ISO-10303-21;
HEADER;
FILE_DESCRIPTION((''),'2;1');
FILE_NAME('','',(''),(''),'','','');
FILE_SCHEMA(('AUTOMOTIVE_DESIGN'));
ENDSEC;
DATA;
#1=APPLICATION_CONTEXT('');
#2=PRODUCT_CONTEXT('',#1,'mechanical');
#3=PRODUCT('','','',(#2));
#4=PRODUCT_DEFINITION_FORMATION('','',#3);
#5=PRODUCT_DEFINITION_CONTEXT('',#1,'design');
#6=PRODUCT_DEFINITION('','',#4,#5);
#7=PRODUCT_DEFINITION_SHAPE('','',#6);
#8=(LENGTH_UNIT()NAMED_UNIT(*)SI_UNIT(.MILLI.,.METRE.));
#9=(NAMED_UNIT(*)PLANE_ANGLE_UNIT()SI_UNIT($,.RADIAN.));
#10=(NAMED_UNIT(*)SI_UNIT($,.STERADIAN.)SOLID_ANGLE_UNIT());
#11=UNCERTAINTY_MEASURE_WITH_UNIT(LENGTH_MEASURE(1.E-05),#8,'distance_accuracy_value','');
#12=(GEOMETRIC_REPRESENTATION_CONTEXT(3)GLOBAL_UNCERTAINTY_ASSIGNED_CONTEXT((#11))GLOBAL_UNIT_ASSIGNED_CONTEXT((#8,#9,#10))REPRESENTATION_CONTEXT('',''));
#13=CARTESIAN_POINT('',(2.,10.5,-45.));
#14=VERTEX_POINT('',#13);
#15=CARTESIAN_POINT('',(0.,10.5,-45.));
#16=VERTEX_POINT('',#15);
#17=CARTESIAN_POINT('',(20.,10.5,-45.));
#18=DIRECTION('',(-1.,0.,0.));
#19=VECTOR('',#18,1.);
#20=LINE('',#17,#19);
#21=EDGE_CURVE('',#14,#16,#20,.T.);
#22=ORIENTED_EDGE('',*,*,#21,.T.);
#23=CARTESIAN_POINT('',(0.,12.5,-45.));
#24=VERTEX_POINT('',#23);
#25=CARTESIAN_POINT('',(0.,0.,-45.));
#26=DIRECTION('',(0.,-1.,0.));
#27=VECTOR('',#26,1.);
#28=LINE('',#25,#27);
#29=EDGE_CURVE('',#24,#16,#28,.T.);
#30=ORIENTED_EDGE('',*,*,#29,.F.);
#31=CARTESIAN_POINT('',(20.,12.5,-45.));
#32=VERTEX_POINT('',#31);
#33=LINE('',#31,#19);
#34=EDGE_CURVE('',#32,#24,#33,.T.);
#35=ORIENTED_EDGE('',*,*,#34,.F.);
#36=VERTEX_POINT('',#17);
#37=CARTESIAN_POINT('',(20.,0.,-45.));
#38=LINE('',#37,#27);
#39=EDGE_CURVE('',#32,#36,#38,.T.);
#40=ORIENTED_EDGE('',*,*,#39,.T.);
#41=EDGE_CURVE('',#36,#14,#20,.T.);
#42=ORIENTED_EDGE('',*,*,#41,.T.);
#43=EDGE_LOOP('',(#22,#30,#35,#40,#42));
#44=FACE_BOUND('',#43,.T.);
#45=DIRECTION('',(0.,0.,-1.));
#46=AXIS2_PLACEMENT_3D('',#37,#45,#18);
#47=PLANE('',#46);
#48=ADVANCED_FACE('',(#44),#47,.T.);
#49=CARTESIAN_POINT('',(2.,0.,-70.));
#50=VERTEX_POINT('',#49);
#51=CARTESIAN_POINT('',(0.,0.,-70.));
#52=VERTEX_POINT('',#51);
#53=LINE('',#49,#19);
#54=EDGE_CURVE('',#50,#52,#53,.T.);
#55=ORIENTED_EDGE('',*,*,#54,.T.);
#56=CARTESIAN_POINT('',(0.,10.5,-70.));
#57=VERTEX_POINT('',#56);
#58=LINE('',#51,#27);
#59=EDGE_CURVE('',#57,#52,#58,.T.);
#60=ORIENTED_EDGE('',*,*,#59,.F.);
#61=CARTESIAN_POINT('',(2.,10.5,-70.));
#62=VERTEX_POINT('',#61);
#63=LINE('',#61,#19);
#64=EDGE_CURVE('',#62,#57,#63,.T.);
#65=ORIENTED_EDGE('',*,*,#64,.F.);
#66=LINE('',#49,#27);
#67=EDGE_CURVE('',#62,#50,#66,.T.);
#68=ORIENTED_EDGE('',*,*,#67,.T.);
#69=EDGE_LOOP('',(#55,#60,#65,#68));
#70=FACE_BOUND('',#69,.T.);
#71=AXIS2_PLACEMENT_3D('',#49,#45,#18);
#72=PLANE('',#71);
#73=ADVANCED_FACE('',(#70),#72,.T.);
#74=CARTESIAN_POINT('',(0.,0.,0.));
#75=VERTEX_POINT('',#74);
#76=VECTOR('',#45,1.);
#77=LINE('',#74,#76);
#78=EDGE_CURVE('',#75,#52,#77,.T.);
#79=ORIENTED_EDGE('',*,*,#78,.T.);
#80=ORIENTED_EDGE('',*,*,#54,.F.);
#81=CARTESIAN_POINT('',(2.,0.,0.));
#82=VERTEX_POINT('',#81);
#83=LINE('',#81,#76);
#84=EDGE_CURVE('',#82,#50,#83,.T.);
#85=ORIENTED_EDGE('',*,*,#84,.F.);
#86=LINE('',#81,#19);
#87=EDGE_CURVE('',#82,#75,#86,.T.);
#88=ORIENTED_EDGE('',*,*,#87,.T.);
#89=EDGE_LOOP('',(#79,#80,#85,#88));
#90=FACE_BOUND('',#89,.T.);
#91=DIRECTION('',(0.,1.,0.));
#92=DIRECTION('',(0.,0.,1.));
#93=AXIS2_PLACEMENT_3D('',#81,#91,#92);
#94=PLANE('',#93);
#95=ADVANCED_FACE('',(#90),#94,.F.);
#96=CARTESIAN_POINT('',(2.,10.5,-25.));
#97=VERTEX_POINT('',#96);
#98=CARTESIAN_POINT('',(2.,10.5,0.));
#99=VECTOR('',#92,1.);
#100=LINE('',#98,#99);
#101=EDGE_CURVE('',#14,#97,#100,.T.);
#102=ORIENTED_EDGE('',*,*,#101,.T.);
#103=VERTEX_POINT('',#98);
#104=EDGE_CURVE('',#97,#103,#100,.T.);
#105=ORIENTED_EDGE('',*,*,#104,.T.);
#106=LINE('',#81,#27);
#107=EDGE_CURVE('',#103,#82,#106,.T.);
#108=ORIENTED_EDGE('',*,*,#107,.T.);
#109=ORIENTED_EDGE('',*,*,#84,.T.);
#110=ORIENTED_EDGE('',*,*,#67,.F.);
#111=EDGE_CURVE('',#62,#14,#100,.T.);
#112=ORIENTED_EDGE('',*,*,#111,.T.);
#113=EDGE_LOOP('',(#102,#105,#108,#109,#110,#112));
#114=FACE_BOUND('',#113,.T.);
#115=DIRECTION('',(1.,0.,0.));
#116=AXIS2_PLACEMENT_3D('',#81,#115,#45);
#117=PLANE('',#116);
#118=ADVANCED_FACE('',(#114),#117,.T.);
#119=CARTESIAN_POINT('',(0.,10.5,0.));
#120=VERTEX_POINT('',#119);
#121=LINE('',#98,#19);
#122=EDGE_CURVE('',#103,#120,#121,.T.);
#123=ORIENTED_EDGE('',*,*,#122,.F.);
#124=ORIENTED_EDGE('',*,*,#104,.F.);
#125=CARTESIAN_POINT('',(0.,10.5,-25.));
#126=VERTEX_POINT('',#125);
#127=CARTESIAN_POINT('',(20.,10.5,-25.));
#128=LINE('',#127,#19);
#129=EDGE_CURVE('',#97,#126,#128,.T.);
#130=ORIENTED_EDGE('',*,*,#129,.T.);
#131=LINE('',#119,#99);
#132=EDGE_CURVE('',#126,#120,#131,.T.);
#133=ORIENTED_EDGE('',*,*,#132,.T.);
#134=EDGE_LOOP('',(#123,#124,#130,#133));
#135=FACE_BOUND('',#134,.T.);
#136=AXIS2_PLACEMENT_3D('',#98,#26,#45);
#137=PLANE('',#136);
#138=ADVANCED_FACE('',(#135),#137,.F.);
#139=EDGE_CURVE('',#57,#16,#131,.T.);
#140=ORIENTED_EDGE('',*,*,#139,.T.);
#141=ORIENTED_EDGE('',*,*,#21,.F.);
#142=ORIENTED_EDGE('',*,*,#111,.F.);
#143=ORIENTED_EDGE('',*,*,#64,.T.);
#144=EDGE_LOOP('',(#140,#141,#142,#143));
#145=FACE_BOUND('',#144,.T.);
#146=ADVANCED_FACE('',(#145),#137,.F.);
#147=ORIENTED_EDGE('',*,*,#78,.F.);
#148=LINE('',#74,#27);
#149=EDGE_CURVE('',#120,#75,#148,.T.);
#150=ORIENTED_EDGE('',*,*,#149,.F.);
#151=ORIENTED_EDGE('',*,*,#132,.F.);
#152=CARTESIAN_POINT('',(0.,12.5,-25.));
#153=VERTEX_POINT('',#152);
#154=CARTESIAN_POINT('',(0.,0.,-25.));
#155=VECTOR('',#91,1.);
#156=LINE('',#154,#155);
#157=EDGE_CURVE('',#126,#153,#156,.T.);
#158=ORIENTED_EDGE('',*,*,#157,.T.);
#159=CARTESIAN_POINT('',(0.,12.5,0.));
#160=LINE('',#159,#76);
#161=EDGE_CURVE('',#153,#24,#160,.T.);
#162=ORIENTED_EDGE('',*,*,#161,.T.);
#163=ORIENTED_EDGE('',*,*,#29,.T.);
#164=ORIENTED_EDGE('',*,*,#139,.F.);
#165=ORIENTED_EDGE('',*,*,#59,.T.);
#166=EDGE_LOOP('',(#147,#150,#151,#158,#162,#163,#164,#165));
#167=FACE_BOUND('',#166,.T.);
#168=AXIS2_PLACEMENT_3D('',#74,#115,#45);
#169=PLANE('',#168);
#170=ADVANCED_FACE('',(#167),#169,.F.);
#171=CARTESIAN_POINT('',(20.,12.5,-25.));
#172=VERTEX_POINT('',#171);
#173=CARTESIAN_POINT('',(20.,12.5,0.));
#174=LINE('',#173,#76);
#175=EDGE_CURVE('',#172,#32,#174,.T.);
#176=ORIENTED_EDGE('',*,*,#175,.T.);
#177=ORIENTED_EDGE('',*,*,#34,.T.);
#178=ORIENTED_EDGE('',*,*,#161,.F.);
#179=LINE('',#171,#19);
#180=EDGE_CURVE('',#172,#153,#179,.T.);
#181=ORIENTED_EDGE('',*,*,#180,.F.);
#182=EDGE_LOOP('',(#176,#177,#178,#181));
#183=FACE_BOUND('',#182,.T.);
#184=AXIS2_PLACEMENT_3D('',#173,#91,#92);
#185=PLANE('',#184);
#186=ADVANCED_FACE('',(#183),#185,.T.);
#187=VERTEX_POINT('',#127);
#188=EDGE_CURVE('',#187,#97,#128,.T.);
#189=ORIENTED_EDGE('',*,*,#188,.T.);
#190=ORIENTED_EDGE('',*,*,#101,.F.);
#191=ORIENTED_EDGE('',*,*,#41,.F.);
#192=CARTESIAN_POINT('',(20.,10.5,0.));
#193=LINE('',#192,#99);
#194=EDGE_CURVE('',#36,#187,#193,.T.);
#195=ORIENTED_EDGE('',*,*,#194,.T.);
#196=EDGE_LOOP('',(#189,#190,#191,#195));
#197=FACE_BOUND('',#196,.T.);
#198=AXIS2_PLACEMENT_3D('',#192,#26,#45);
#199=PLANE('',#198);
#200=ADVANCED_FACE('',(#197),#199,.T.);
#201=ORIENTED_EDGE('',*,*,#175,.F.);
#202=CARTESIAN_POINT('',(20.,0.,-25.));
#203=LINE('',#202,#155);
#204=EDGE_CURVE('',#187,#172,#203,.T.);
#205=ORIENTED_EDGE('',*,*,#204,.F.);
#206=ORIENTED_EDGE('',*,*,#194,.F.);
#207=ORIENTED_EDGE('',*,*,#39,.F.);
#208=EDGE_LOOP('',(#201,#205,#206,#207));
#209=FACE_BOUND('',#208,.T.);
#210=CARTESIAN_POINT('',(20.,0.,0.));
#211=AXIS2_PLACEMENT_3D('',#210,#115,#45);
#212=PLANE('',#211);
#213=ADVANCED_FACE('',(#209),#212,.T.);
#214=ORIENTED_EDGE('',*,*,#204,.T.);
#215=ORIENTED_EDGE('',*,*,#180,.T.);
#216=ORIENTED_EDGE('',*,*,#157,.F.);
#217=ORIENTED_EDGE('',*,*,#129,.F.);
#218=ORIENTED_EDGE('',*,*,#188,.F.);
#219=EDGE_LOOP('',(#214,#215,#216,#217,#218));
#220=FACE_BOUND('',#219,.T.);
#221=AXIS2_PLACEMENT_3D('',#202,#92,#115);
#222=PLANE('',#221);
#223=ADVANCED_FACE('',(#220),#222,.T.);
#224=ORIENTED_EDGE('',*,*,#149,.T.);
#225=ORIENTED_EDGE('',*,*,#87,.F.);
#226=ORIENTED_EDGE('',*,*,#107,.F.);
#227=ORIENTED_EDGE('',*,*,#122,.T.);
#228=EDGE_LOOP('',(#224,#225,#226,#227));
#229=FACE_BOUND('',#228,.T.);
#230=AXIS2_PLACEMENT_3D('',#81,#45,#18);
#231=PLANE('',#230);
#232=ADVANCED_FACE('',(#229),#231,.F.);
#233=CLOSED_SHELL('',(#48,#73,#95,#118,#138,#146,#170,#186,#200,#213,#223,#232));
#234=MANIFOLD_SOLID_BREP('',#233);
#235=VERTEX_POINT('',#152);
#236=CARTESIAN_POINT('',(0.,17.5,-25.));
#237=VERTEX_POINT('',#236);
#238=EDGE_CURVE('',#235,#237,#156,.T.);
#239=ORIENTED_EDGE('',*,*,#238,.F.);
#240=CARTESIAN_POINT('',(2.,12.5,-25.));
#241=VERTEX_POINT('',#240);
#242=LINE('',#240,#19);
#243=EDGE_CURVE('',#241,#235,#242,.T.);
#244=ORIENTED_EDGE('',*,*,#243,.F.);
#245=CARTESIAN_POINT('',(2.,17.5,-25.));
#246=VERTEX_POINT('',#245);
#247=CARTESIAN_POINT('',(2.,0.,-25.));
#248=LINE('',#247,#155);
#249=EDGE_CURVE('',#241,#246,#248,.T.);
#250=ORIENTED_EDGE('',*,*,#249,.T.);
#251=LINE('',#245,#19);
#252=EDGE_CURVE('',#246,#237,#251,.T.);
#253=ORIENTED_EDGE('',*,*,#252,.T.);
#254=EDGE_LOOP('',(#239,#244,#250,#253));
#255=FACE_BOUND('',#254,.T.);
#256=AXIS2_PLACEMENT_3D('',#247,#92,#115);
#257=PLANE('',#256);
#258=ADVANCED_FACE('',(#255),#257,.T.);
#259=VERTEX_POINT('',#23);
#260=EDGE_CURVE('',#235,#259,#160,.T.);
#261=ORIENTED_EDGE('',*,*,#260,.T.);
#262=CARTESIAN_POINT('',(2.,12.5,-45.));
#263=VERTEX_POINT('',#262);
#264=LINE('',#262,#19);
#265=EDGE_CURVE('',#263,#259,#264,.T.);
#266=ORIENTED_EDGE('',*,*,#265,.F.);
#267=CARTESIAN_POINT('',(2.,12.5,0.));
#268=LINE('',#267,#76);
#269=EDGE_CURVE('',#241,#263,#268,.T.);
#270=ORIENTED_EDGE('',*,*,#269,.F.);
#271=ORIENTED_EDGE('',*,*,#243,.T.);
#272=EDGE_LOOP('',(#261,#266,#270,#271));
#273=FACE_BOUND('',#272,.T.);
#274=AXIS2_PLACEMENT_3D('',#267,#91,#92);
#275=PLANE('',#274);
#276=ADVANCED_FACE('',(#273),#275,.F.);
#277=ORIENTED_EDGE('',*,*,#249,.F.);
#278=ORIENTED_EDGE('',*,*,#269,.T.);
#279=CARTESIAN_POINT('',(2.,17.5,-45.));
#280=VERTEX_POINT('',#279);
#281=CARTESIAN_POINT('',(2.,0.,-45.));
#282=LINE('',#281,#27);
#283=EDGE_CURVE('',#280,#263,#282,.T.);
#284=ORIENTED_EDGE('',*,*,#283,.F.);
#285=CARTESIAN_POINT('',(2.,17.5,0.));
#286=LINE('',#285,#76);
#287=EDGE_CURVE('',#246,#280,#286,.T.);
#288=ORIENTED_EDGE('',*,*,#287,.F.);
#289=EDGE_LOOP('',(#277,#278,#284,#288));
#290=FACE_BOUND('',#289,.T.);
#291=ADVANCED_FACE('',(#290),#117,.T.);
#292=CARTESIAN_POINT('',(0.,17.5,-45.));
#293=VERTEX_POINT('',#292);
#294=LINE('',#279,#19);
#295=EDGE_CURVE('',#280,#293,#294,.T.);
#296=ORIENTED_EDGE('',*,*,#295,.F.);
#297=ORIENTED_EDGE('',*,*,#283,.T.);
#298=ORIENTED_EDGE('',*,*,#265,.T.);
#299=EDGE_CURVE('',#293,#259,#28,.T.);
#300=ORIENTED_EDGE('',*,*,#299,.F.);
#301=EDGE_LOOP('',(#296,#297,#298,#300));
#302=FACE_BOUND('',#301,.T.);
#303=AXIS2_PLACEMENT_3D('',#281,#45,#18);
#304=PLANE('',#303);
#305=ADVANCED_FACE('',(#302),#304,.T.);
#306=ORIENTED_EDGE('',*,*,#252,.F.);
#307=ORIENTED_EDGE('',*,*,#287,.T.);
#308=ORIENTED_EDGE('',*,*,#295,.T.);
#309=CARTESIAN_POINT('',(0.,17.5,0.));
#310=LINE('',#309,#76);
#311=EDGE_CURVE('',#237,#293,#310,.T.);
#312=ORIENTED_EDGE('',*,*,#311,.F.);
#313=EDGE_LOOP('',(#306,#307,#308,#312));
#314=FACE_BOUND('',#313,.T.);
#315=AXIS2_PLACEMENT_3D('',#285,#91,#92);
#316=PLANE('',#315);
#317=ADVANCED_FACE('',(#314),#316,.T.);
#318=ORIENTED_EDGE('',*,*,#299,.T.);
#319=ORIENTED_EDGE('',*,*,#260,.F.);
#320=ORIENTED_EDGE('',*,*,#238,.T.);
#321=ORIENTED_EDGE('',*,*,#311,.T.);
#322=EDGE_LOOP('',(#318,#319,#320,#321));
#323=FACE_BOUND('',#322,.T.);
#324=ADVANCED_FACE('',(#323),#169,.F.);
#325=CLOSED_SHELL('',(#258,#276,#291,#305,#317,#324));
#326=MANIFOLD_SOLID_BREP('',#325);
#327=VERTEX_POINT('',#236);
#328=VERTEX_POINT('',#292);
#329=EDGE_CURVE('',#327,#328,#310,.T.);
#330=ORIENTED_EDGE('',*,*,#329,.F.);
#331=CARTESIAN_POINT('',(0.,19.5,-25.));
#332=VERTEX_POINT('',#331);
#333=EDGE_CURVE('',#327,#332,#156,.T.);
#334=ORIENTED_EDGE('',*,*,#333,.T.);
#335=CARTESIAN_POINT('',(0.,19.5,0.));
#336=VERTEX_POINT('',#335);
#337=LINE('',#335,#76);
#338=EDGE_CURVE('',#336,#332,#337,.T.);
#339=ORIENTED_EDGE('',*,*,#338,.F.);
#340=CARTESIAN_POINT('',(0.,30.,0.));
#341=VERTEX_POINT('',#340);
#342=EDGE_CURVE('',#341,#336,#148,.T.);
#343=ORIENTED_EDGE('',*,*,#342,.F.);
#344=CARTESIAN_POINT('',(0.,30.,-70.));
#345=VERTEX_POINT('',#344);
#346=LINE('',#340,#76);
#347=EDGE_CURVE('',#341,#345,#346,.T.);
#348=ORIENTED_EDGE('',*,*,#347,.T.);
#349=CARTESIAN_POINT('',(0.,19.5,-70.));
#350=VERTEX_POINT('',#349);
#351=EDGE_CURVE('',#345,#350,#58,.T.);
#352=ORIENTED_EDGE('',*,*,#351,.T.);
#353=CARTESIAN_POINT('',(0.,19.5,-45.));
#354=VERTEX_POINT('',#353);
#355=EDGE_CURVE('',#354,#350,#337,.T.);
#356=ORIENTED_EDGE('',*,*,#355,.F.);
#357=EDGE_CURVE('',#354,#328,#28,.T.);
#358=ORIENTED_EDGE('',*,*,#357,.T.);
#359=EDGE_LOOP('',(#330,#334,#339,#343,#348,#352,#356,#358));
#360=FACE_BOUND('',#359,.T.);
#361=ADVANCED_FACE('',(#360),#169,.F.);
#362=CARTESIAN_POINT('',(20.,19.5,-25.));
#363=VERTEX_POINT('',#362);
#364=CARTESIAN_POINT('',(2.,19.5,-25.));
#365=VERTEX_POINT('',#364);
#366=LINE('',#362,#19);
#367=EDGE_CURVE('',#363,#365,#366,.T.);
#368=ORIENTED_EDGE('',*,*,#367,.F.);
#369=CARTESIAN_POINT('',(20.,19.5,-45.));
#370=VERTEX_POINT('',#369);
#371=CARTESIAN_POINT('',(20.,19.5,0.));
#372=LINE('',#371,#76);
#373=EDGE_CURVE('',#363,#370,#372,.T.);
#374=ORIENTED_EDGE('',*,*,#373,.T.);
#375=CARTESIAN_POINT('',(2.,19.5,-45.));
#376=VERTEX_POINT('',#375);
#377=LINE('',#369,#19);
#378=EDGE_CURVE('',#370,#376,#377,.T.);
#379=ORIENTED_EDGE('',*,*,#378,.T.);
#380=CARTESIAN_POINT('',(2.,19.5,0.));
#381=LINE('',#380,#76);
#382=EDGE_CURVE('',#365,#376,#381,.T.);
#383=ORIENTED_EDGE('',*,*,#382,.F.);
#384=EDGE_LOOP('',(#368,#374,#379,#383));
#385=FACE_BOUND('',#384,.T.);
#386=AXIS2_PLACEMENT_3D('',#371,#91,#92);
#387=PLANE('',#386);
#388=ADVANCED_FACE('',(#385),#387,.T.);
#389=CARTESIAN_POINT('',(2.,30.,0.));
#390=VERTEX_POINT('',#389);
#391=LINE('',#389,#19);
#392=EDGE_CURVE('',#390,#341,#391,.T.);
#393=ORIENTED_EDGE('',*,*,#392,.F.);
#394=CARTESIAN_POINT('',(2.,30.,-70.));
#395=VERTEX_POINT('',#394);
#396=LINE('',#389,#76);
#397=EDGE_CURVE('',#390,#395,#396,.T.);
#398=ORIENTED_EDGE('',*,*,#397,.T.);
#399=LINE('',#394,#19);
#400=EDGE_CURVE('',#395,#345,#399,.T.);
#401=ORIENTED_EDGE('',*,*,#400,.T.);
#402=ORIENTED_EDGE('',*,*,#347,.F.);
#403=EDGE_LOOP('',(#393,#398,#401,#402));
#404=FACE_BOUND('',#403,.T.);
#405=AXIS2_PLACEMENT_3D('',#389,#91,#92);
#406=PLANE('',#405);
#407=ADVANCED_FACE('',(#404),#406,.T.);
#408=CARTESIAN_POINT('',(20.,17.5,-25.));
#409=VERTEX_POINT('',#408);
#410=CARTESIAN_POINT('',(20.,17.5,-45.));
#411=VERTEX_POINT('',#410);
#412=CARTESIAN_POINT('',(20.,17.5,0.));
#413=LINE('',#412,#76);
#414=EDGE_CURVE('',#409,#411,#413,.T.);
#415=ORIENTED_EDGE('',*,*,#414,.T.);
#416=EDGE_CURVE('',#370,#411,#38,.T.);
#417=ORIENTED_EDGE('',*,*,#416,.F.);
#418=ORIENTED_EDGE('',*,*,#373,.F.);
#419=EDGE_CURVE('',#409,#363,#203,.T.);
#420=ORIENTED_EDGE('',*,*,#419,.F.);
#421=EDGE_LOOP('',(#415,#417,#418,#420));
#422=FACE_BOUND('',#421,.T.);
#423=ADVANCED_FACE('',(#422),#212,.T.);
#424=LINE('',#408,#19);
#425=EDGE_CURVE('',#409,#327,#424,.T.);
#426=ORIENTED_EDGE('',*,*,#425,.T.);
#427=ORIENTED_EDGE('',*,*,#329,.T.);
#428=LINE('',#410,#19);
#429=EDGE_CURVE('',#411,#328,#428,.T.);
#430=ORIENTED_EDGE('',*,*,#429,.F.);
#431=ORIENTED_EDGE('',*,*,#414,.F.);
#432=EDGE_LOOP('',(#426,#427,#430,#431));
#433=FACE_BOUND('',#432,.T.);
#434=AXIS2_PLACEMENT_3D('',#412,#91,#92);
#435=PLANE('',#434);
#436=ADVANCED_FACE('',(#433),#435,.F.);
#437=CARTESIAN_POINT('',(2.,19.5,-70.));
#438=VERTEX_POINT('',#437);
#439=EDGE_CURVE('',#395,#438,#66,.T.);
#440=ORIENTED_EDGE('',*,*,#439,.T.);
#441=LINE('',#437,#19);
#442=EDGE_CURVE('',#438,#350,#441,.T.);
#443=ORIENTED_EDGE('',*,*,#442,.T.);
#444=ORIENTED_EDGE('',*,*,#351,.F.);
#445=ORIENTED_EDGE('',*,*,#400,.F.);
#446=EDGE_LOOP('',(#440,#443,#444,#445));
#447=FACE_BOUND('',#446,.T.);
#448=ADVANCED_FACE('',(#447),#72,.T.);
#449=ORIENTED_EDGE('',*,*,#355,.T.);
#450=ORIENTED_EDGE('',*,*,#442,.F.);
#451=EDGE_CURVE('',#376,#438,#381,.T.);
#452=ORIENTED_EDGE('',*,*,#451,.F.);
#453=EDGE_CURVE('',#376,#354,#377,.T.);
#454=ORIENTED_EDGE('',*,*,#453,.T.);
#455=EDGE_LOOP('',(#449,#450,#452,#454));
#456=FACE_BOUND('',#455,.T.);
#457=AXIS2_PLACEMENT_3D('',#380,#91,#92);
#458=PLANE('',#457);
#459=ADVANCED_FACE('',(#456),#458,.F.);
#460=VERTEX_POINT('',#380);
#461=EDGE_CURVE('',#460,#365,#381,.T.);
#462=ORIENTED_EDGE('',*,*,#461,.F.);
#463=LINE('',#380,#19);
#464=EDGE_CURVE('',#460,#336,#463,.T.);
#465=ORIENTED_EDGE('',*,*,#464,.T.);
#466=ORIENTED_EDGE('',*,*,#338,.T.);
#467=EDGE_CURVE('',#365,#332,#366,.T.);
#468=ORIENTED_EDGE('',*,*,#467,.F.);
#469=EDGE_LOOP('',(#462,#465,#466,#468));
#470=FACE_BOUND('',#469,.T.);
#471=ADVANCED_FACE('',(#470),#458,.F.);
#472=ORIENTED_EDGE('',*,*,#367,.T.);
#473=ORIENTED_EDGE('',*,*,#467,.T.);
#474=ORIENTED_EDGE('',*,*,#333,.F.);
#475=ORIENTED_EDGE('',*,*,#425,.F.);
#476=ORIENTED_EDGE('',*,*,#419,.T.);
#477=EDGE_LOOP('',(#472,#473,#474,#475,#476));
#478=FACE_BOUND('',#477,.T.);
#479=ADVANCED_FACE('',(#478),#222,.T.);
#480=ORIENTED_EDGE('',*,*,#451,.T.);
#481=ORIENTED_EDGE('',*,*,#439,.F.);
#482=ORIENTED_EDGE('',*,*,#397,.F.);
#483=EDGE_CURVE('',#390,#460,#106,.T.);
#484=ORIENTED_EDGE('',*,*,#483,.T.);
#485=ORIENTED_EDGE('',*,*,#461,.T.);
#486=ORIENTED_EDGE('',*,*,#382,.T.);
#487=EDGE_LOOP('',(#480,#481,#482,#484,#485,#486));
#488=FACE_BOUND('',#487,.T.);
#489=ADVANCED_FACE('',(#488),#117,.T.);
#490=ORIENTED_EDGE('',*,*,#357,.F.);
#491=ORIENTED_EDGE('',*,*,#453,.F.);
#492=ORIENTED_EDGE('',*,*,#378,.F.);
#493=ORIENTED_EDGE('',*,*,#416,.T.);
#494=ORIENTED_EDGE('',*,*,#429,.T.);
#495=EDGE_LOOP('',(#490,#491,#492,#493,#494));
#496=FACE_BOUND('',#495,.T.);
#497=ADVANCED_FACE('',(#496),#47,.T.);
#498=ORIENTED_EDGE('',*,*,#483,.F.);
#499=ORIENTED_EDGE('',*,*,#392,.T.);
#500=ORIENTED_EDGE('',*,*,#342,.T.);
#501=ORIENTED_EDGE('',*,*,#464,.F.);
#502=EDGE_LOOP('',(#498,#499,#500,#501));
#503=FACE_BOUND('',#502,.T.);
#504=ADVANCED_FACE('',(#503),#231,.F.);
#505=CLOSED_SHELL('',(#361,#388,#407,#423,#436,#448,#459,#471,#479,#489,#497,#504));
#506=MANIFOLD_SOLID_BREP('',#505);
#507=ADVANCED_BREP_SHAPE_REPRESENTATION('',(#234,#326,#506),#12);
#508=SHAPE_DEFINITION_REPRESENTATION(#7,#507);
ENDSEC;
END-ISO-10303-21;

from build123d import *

# Parameters (mm, degrees)
SKETCH1_W             = 70
SKETCH1_H             = 10.5
BOSS_EXTRUDE1_DEPTH   = 2
SKETCH1_W_2           = 20
SKETCH1_H_2           = 5
BOSS_EXTRUDE1_2_DEPTH = 2
BOSS_EXTRUDE1_3_DEPTH = 2
SKETCH1_4_W           = 20
SKETCH1_4_H           = 2
BOSS_EXTRUDE2_DEPTH   = 20


with BuildPart() as part:
    # Sketch1 → Boss-Extrude1 (new body)
    with BuildSketch(Plane(origin=(0, 0, 0), x_dir=(0, 0, -1), z_dir=(1, 0, 0))):
        with Locations((35, 24.75)):
            Rectangle(SKETCH1_W, SKETCH1_H)
    extrude(amount=BOSS_EXTRUDE1_DEPTH)



with BuildPart() as body_2:
    # Sketch1 → Boss-Extrude1 2 (new body)
    with BuildSketch(Plane(origin=(0, 0, 0), x_dir=(0, 0, -1), z_dir=(1, 0, 0))):
        with Locations((35, 15)):
            Rectangle(SKETCH1_W_2, SKETCH1_H_2)
    extrude(amount=BOSS_EXTRUDE1_2_DEPTH)


with BuildPart() as body_3:
    # Sketch1 → Boss-Extrude1 3 (new body)
    with BuildSketch(Plane(origin=(0, 0, 0), x_dir=(0, 0, -1), z_dir=(1, 0, 0))):
        with Locations((35, 5.25)):
            Rectangle(SKETCH1_W, SKETCH1_H)
    extrude(amount=BOSS_EXTRUDE1_3_DEPTH)


with BuildPart() as part_1:
    add(part.part)

    add(body_3.part)  # Boss-Extrude2 merges body 3
    # Sketch1<4> → Boss-Extrude2 (add)
    with BuildSketch(Plane(origin=(0, 0, 0), x_dir=(0, 0, -1), z_dir=(1, 0, 0))):
        with Locations((35, 18.5)):
            Rectangle(SKETCH1_4_W, SKETCH1_4_H)
        with Locations((35, 11.5)):
            Rectangle(SKETCH1_4_W, SKETCH1_4_H)
    extrude(amount=BOSS_EXTRUDE2_DEPTH)


solid = Compound([body_2.part, part_1.part])
